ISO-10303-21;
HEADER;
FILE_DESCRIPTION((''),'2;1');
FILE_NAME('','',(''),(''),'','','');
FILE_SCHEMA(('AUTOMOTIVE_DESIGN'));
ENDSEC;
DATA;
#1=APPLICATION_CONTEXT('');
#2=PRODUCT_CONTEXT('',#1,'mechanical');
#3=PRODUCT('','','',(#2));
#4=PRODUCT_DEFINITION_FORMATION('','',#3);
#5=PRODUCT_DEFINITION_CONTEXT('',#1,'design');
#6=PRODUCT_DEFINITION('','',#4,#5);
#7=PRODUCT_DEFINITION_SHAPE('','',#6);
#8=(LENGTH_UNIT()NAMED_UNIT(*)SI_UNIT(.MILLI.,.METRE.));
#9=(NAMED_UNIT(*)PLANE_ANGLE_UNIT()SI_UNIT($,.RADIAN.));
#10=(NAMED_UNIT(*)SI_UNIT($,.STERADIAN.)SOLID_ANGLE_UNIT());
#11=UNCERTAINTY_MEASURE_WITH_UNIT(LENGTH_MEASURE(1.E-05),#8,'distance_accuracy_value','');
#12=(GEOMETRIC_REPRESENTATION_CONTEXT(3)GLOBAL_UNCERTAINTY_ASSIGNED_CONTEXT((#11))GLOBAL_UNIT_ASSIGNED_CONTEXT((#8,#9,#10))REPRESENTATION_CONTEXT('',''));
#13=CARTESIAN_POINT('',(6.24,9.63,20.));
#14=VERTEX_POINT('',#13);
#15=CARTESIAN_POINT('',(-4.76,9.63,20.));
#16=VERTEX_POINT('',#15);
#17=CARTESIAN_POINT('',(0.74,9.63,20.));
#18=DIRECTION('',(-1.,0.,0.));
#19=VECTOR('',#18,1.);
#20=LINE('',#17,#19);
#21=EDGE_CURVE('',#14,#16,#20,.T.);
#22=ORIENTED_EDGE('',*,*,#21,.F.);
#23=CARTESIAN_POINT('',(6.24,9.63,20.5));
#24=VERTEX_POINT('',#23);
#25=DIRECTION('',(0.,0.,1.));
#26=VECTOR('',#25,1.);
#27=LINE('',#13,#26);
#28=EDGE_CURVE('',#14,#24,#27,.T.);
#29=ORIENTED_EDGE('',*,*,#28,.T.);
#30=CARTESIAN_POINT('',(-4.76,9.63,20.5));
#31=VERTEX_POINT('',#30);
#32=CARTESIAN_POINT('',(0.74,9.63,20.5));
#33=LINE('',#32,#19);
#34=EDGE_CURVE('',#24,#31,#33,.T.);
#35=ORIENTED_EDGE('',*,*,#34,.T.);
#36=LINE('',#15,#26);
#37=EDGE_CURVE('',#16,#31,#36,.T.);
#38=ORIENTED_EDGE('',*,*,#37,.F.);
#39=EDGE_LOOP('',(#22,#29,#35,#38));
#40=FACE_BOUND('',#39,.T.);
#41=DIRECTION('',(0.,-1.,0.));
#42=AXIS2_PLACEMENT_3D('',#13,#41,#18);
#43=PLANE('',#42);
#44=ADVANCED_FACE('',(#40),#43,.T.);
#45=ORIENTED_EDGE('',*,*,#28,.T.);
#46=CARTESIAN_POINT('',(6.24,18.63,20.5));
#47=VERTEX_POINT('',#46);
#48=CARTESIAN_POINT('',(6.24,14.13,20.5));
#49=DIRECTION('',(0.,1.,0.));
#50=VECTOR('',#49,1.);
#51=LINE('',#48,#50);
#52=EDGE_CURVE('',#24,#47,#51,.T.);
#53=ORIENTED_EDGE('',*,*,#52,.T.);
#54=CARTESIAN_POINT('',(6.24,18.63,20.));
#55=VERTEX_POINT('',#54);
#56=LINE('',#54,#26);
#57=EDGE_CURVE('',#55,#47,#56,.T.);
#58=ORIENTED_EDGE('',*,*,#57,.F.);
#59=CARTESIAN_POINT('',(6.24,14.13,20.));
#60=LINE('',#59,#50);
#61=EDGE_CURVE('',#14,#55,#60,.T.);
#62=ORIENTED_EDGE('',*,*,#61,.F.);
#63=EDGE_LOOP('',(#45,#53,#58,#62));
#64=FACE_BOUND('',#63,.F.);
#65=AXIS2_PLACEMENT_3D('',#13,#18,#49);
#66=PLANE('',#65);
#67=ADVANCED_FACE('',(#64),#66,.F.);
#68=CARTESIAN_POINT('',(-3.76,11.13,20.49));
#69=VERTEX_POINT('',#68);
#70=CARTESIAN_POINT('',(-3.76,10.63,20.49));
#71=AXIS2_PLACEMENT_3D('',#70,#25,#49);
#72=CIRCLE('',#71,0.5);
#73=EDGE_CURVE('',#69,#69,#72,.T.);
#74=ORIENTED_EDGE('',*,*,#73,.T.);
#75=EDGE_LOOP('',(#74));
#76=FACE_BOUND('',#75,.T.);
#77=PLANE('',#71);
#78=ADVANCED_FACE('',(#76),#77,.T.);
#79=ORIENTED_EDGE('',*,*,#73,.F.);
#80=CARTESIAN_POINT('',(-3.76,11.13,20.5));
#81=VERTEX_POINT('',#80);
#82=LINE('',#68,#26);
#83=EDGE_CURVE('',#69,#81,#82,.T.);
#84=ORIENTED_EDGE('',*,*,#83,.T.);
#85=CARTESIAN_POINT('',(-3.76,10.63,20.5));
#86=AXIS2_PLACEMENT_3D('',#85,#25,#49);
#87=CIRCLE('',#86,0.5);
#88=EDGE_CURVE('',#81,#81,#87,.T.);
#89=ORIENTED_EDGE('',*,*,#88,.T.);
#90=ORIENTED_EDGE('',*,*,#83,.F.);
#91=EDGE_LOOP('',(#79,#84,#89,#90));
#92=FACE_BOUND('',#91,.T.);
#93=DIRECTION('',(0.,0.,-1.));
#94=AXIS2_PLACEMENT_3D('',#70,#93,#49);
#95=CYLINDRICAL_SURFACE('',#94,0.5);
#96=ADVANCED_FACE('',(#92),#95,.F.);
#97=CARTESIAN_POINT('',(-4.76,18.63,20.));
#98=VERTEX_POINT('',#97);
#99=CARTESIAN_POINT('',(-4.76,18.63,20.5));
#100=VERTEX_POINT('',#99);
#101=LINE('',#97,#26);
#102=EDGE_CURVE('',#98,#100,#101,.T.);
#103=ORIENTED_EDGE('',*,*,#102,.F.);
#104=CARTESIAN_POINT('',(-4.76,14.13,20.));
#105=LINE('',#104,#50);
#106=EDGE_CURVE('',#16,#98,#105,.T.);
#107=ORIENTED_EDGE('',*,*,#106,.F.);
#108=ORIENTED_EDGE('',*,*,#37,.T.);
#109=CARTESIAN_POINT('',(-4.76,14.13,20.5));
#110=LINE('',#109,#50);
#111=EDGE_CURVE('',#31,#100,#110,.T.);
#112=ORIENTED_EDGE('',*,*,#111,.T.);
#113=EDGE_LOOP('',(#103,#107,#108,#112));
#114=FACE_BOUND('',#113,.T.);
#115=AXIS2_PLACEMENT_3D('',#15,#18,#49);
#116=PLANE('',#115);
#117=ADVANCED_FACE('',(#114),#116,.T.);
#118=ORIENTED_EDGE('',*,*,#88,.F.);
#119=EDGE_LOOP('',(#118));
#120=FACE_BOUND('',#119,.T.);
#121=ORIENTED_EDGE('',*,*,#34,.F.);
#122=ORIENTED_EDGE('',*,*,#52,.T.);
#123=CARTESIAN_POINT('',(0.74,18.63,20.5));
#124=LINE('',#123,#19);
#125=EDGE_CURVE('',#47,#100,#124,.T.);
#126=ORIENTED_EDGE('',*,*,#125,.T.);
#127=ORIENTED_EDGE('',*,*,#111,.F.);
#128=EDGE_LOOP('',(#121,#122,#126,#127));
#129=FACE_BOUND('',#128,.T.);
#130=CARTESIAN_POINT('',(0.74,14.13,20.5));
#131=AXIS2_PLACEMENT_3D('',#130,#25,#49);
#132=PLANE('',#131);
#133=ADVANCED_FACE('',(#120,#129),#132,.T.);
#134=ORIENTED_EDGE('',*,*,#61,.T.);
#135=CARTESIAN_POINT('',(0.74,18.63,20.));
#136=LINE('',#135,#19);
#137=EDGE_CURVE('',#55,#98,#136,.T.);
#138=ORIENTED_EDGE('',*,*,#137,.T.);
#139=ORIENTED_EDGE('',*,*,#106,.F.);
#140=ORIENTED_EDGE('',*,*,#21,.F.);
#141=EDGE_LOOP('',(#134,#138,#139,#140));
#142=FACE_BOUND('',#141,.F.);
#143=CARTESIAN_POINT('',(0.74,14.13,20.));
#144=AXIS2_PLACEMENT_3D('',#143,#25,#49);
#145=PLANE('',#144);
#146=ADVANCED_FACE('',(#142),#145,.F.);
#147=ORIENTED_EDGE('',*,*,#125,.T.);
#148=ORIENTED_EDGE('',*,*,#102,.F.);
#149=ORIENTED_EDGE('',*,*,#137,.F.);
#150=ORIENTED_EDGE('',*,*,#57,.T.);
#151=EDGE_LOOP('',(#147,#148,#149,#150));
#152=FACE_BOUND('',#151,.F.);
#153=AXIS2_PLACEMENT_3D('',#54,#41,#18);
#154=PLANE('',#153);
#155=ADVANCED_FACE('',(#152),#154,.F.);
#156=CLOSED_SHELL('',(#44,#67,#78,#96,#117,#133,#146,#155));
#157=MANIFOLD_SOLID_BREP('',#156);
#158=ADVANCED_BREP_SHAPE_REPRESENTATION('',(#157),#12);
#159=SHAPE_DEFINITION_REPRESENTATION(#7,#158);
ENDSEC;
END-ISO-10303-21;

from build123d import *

# Parameters (mm, degrees)
CYLINDER026_R          = 0.5
CYLINDER026_DEPTH      = 0.01
BOX071_W               = 9
BOX071_H               = 11
BOX071_DEPTH           = 0.5
CUT019_PLACEMENT_ANGLE = 90


with BuildPart() as cylinder026:
    # Cylinder026 → Cylinder026 (new body)
    with BuildSketch(Plane(origin=(1, 10, 0.49), x_dir=(1, 0, 0), z_dir=(0, 0, 1))):
        Circle(CYLINDER026_R)
    extrude(amount=CYLINDER026_DEPTH)


with BuildPart() as large_linbo3_plate011:
    # Box071 → Box071 (new body)
    with BuildSketch(Plane.XY):
        with Locations((4.5, 5.5)):
            Rectangle(BOX071_W, BOX071_H)
    extrude(amount=BOX071_DEPTH)

    # Cut019: cut Cylinder026
    add(cylinder026.part, mode=Mode.SUBTRACT)


with BuildPart() as large_linbo3_plate011_1:
    # Cut019 placement: moved
    add(large_linbo3_plate011.part.moved(Location((6.24, 9.63, 20))).rotate(Axis((6.24, 9.63, 20), (0, 0, 1)), CUT019_PLACEMENT_ANGLE))


solid = large_linbo3_plate011_1.part
